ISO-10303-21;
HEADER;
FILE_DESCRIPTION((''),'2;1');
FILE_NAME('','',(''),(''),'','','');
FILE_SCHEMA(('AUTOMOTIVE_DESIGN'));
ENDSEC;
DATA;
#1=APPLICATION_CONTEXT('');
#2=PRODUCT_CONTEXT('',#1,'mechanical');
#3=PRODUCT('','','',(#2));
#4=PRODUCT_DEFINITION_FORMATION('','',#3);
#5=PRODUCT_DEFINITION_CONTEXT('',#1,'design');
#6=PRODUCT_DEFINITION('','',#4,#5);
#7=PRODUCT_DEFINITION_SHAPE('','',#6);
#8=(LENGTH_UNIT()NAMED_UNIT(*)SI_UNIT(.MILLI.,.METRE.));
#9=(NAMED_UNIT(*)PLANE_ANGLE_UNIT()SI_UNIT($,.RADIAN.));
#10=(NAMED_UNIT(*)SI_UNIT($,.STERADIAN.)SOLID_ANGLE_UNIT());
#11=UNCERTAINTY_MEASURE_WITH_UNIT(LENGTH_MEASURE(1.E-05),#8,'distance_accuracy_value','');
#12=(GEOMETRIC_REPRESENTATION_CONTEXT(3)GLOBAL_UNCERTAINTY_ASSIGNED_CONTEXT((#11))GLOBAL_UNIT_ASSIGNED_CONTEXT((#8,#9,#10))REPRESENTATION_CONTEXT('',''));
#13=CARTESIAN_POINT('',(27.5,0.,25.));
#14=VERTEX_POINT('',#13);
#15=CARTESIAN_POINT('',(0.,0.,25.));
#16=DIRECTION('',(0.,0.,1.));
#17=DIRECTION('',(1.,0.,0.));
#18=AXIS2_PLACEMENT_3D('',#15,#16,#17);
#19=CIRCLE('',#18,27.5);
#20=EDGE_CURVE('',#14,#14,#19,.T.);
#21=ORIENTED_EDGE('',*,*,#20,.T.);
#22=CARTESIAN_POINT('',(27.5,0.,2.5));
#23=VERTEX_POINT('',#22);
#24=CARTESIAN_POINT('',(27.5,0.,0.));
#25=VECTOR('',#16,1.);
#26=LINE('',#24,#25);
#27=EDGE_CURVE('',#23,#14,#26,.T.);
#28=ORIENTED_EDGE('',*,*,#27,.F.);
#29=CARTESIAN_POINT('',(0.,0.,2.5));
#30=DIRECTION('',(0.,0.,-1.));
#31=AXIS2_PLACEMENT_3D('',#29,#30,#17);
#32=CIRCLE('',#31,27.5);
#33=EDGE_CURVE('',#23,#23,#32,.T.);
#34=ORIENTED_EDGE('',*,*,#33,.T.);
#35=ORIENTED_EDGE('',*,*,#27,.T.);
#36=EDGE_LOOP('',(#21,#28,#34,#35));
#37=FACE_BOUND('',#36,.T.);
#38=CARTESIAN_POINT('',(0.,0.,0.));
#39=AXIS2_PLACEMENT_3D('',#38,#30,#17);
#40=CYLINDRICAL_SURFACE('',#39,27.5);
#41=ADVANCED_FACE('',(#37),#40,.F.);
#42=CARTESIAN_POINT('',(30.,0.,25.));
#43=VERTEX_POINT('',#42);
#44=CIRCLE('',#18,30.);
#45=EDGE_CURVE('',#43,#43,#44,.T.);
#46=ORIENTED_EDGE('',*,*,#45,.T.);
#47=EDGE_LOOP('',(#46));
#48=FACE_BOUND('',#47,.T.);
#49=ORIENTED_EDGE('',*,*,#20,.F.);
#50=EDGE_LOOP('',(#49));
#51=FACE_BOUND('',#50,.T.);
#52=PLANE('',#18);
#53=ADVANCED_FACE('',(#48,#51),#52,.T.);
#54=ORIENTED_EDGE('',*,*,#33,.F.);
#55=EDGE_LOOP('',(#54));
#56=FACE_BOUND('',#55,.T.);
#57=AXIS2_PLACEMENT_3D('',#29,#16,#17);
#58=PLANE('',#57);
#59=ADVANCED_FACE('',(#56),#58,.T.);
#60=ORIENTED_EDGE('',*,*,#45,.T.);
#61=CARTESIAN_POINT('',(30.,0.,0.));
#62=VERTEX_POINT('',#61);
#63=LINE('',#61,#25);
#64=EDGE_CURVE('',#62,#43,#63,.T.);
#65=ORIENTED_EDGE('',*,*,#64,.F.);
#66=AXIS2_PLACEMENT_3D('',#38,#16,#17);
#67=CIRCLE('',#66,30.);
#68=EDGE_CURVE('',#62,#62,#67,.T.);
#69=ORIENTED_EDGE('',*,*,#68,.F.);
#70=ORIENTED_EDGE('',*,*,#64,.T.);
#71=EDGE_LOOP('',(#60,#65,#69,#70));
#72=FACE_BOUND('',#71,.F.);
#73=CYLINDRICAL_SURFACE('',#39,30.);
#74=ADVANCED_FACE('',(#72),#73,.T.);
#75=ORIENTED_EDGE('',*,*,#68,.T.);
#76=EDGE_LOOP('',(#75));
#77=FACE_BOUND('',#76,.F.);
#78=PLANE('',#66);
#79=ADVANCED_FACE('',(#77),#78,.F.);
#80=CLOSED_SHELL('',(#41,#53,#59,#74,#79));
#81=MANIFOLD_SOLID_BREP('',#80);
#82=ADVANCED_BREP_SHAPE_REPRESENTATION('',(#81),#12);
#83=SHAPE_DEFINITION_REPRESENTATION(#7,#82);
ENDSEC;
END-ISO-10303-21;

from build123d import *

# Parameters (mm, degrees)
F0_W     = 200
F0_H     = 150
F1_DEPTH = 100
F2_T     = -2.5
F3_R     = 5
F5_R     = 30
F6_DEPTH = 25
F7_T     = -2.5


with BuildPart() as f1:
    # F0 (on Top) → F1 (new body)
    with BuildSketch(Plane.XY):
        Rectangle(F0_W, F0_H)
    extrude(amount=F1_DEPTH)

    # F2
    f2_openings = [f1.faces().sort_by_distance(p)[0] for p in [
        (0, 0, 100),
    ]]
    offset(amount=F2_T, openings=f2_openings)

    # F3
    f3_edges = [f1.edges().sort_by_distance(p)[0] for p in [
        (-100, -75, 50),
        (-100, 75, 50),
        (100, 75, 50),
        (100, -75, 50),
    ]]
    fillet(f3_edges, radius=F3_R)


with BuildPart() as f6:
    # F5 (on Top) → F6 (new body)
    with BuildSketch(Plane.XY):
        Circle(F5_R)
    extrude(amount=F6_DEPTH)

    # F7
    f7_openings = [f6.faces().sort_by_distance(p)[0] for p in [
        (0, 0, 25),
    ]]
    offset(amount=F7_T, openings=f7_openings)


solid = f6.part
